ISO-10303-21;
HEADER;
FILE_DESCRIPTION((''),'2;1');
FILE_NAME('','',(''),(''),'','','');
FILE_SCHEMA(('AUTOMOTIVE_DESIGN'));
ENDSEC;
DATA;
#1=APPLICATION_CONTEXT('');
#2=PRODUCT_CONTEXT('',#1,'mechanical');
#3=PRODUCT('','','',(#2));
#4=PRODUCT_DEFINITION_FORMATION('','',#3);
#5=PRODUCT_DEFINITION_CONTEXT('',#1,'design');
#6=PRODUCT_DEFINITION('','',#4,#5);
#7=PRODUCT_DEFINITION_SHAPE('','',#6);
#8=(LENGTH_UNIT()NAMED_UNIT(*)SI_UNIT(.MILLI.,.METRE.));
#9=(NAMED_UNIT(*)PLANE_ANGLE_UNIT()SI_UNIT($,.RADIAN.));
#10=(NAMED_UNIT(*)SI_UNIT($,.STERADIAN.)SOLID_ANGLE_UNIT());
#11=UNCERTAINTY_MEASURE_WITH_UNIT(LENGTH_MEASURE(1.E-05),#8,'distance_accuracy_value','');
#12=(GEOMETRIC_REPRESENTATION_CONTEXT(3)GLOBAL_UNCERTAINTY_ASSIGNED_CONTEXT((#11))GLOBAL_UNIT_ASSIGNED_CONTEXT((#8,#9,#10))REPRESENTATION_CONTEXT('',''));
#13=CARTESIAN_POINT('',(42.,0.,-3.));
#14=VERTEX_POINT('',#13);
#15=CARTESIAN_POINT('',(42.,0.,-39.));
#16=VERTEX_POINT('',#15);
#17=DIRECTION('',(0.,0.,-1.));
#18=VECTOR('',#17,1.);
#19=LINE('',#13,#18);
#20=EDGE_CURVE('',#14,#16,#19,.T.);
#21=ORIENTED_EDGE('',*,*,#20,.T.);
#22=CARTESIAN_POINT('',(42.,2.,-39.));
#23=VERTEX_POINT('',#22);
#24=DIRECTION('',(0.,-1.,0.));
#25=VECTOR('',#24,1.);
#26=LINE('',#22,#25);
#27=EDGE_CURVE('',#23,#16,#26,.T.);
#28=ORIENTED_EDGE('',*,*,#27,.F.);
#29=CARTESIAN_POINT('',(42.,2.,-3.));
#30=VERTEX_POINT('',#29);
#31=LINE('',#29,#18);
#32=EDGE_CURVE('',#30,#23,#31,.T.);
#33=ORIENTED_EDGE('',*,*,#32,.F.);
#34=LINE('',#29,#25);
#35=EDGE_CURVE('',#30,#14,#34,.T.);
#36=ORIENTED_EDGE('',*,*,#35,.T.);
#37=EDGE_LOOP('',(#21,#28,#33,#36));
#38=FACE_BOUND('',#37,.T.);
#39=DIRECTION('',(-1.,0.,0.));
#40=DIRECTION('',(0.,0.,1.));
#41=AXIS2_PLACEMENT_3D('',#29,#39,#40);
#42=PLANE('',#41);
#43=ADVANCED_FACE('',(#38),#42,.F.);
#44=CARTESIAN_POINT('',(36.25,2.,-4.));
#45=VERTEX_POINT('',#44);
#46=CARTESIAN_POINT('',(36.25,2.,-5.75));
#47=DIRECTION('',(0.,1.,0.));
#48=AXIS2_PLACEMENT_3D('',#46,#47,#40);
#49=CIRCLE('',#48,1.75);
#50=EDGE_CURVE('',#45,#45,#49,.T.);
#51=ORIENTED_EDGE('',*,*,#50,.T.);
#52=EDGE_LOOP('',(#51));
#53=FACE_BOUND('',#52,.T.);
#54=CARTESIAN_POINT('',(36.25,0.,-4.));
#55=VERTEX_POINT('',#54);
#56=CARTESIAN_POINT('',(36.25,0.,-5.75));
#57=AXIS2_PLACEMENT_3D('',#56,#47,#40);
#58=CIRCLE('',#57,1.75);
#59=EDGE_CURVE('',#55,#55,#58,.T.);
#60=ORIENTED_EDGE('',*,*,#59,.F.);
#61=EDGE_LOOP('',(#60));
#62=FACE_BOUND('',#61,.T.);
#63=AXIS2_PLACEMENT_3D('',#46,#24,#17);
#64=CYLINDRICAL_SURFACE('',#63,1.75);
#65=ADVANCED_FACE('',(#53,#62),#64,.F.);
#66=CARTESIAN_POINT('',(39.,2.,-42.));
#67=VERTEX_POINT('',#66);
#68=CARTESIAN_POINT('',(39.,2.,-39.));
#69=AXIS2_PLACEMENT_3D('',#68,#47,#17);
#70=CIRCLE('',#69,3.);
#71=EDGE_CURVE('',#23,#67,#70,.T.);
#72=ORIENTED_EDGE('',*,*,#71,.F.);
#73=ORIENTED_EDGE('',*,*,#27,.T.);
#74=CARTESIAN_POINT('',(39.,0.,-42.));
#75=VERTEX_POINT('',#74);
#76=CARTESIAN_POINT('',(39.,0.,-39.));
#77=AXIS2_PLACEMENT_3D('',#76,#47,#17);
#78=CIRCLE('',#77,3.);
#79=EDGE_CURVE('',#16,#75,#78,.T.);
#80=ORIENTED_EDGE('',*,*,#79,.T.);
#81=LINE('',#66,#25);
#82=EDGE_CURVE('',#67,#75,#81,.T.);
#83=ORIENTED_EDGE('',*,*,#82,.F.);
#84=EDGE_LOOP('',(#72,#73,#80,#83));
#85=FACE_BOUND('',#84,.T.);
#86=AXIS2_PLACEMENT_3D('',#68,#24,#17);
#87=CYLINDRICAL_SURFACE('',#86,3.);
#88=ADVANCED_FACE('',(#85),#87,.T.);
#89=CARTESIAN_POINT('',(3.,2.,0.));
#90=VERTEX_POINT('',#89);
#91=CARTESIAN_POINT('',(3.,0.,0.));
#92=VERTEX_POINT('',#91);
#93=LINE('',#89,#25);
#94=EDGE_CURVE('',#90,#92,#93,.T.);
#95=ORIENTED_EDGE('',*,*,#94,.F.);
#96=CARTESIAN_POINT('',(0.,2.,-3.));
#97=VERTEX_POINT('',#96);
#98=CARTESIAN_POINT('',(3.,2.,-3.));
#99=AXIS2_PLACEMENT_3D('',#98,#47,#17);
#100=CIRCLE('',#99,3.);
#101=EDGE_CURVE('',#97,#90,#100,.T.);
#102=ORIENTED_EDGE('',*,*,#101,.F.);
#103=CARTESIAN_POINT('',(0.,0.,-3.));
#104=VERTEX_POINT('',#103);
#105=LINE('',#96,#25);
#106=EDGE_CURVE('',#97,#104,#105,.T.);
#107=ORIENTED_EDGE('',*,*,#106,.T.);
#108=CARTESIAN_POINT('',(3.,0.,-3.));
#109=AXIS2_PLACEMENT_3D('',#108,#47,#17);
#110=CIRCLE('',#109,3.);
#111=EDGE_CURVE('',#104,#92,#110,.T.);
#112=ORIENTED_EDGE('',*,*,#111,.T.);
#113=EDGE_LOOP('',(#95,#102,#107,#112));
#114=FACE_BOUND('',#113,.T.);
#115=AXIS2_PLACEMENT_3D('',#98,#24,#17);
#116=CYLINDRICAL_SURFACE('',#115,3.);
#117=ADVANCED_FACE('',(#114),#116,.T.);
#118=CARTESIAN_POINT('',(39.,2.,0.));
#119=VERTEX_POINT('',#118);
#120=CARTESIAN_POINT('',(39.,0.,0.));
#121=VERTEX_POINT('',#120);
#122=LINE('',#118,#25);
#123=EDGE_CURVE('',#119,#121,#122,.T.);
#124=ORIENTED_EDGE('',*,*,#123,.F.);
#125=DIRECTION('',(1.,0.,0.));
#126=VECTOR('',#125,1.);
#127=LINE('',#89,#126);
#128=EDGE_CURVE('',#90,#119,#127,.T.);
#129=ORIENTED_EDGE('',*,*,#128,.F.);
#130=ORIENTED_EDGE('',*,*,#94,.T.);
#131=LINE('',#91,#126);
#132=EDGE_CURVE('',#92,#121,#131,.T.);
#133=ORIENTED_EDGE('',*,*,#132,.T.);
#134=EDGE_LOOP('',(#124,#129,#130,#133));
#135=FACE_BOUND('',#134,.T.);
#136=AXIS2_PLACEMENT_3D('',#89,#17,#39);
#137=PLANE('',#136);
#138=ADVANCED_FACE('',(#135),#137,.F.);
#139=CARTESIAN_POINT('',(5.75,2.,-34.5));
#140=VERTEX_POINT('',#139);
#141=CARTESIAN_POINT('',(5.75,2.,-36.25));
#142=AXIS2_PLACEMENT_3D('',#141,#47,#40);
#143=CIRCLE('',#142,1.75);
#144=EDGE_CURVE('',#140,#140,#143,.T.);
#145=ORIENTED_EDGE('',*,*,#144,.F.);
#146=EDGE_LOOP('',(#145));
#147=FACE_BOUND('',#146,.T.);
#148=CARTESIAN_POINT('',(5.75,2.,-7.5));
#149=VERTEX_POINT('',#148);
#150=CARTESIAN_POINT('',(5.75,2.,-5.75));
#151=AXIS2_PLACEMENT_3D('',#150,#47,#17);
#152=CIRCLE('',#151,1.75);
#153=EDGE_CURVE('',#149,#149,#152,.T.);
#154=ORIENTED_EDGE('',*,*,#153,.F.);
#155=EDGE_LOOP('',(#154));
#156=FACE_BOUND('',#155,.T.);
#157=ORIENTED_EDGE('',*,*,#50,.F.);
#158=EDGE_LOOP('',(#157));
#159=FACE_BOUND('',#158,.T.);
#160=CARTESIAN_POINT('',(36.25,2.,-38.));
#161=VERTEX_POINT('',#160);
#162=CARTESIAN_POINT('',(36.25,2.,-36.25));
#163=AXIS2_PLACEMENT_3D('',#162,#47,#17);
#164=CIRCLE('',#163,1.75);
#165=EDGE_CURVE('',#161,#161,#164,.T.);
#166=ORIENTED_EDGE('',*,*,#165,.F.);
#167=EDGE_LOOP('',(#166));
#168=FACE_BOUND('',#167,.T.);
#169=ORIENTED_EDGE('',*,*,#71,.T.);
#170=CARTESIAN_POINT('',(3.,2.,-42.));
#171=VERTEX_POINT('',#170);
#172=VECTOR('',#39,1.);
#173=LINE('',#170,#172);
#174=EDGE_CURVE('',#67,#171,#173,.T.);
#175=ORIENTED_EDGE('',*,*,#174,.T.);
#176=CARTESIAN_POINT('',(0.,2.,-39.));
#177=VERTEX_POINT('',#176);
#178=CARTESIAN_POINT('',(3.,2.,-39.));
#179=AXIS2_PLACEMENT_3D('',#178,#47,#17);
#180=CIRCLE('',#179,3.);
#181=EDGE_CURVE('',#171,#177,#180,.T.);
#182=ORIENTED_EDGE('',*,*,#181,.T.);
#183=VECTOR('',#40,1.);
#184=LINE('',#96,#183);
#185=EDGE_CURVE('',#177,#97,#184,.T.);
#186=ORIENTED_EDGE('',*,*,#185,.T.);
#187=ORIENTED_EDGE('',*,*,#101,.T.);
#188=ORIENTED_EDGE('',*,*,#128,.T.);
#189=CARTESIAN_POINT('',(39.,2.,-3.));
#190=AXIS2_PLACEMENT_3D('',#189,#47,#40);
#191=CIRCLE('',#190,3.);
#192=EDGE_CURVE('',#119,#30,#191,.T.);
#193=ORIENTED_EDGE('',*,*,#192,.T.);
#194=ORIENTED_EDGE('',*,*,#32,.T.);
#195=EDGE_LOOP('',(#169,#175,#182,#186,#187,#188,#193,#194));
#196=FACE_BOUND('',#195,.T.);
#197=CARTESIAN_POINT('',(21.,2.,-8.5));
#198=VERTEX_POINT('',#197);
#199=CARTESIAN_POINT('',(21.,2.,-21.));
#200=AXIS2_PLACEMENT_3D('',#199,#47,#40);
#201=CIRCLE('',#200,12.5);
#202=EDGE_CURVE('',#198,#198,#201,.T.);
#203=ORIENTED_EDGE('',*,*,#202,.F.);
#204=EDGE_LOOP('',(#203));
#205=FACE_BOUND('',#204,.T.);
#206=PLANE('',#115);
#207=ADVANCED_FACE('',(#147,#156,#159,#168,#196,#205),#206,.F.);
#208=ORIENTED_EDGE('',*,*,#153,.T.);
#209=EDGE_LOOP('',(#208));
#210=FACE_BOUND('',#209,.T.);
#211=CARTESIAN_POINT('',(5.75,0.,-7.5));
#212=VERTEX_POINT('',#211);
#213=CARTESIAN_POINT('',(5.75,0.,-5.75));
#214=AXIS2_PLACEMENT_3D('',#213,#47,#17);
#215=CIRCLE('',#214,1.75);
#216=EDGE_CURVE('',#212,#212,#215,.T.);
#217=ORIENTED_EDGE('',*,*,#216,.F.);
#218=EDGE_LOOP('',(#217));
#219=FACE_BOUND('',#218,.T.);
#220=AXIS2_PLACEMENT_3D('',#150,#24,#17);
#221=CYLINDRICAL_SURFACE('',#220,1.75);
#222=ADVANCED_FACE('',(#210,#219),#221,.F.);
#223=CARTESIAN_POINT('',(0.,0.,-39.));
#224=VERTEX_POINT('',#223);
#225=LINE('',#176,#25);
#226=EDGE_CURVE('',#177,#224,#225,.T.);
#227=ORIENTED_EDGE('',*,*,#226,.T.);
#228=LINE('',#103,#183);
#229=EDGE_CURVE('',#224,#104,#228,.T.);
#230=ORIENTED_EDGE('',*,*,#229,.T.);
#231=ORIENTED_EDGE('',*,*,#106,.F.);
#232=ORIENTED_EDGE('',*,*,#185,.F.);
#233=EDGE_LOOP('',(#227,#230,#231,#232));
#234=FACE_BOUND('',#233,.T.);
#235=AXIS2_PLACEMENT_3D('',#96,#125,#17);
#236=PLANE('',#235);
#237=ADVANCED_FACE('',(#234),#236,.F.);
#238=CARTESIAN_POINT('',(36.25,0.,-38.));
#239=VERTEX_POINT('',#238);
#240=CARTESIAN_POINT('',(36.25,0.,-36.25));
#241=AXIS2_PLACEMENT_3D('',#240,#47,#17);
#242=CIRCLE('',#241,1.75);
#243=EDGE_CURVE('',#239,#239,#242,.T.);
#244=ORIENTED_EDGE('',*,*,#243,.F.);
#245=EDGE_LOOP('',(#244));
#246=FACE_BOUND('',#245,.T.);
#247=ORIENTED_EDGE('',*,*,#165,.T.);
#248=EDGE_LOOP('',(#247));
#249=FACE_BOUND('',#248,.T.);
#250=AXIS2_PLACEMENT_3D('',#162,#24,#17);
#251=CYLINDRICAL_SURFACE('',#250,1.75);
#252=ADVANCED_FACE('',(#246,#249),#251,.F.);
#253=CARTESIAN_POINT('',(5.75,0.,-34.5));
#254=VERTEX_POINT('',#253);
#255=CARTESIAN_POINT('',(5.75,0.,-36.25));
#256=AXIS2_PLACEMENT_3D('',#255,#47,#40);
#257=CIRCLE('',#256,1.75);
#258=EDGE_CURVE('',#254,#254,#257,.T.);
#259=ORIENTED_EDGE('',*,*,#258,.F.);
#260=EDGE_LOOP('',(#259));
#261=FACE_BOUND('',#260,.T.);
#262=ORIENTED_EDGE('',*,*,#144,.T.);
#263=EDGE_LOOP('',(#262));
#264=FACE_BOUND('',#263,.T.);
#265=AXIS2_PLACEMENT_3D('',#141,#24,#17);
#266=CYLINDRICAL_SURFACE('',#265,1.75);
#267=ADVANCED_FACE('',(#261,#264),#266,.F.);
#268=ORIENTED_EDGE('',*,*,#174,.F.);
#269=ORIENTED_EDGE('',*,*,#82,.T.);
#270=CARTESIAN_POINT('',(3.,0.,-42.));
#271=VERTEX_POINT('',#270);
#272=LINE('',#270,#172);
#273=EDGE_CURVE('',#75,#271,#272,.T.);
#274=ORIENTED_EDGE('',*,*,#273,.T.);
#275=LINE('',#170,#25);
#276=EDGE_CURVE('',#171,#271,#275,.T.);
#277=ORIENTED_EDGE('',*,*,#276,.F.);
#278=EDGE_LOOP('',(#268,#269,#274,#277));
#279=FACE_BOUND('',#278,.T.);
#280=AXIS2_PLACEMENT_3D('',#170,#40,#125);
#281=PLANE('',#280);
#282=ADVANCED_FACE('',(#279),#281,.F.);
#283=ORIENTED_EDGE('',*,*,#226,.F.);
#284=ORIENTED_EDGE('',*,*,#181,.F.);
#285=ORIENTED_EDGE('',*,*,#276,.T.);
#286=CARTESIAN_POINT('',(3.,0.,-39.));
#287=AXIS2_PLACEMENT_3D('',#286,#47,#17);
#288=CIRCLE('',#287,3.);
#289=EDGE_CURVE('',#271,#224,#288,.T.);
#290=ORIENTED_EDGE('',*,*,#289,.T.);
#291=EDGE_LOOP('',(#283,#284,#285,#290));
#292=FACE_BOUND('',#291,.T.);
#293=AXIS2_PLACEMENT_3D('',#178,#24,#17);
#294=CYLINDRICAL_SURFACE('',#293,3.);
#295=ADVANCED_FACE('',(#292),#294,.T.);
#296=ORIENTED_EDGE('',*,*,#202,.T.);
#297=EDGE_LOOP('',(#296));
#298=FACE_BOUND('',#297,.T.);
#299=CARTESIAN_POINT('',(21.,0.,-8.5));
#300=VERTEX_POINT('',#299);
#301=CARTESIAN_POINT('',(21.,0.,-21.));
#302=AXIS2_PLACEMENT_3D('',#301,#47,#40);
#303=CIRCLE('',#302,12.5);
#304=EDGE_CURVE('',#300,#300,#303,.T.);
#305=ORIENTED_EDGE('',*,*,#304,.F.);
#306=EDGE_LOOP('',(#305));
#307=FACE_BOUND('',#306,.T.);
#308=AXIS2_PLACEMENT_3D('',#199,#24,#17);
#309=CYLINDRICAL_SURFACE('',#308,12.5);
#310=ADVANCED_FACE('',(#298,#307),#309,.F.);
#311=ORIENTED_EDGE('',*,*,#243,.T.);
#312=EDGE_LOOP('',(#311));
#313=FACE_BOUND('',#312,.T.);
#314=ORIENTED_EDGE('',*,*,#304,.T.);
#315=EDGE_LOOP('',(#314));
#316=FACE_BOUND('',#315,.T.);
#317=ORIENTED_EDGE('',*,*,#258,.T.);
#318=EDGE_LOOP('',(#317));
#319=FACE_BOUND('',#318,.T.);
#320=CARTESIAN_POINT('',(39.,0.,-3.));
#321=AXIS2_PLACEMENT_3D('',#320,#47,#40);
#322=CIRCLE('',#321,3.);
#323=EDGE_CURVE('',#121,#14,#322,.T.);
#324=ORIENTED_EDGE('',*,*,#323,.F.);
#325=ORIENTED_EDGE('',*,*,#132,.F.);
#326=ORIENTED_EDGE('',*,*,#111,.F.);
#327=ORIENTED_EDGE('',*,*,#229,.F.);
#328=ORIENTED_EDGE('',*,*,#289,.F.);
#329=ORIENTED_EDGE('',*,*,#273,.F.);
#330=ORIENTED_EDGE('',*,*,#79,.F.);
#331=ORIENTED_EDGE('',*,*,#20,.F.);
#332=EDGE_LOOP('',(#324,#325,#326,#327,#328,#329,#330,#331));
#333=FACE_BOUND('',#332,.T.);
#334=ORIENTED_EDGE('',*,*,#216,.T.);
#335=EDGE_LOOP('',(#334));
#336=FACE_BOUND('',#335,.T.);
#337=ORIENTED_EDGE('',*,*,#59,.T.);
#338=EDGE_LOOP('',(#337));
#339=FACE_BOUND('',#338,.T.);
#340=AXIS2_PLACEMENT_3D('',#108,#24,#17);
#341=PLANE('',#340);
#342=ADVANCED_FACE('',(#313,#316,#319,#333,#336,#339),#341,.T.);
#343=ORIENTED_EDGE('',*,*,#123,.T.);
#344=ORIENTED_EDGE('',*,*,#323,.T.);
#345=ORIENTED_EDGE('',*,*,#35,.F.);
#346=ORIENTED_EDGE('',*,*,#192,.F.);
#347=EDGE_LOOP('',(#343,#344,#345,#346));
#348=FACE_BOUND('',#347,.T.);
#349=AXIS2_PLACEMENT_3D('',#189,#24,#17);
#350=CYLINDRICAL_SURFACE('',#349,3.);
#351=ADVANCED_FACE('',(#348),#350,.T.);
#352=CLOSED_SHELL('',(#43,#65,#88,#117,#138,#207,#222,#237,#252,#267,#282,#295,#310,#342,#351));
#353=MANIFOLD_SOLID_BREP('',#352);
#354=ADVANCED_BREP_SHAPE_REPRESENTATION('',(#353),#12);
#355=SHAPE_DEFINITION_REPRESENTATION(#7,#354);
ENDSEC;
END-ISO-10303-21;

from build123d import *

# Parameters (mm, degrees)
SZKIC1_R                    = 12.5
SZKIC1_R_2                  = 1.75
DODANIE_WYCI_GNI_CIE1_DEPTH = 2


with BuildPart() as part:
    # Szkic1 → Dodanie-wyciągnięcie1 (new body)
    with BuildSketch(Plane(origin=(0, 0, 0), x_dir=(1, 0, 0), z_dir=(0, 1, 0))):
        with BuildLine():
            Line((3, 0), (39, 0))
            ThreePointArc((39, 0), (41.121320344, 0.878679656), (42, 3))
            Line((42, 3), (42, 39))
            ThreePointArc((42, 39), (41.121320344, 41.121320344), (39, 42))
            Line((39, 42), (3, 42))
            ThreePointArc((3, 42), (0.878679656, 41.121320344), (0, 39))
            Line((0, 39), (0, 3))
            ThreePointArc((0, 3), (0.878679656, 0.878679656), (3, 0))
        make_face()
        with Locations(Location((21, 21, 0), (0, 0, 270))):
            Circle(SZKIC1_R, mode=Mode.SUBTRACT)
        with Locations(Location((5.75, 36.25, 0), (0, 0, 270))):
            Circle(SZKIC1_R_2, mode=Mode.SUBTRACT)
        with Locations(Location((36.25, 36.25, 0), (0, 0, 90))):
            Circle(SZKIC1_R_2, mode=Mode.SUBTRACT)
        with Locations(Location((36.25, 5.75, 0), (0, 0, 270))):
            Circle(SZKIC1_R_2, mode=Mode.SUBTRACT)
        with Locations(Location((5.75, 5.75, 0), (0, 0, 90))):
            Circle(SZKIC1_R_2, mode=Mode.SUBTRACT)
    extrude(amount=DODANIE_WYCI_GNI_CIE1_DEPTH)


solid = part.part
